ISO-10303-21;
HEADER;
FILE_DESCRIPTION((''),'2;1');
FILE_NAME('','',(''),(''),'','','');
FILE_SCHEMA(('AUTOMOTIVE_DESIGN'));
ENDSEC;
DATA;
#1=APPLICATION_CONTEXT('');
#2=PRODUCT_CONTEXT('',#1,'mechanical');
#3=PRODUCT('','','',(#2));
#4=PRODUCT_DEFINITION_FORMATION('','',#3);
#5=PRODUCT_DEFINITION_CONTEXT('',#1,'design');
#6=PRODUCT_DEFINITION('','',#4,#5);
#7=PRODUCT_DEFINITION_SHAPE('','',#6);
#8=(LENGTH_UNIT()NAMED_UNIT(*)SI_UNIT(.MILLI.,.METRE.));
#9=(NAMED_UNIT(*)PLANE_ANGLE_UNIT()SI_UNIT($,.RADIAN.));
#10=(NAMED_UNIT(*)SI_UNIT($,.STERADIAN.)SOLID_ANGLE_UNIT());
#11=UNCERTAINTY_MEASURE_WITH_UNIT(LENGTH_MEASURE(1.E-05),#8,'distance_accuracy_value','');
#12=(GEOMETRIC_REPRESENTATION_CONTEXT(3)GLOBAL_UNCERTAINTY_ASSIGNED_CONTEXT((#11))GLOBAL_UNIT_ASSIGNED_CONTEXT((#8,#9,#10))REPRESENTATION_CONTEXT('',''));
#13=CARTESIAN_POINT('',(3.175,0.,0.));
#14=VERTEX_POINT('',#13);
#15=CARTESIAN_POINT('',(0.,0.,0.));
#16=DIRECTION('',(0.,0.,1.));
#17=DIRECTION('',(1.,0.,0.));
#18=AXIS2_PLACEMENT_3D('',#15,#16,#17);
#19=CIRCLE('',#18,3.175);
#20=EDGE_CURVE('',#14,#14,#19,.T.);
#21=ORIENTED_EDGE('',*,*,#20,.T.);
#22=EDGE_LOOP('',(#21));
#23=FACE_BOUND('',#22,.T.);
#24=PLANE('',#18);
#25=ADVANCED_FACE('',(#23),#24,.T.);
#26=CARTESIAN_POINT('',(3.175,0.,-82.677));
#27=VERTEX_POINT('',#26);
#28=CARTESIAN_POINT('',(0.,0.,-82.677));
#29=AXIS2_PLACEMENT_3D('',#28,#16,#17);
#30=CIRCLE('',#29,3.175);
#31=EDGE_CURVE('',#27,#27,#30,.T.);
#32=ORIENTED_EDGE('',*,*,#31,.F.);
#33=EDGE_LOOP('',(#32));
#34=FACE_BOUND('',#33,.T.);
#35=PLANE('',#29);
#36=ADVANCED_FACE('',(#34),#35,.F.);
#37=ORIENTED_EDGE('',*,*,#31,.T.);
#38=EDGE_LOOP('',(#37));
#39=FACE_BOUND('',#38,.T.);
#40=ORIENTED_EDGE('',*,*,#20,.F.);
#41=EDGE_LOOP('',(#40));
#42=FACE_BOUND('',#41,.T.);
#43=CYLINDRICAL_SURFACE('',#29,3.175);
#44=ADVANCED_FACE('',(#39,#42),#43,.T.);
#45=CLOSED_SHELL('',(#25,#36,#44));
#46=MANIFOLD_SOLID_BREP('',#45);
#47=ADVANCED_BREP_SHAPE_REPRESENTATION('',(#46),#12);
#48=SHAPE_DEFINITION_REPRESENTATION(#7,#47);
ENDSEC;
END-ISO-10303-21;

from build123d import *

# Parameters (mm, degrees)
SKETCH1_R           = 3.175
BOSS_EXTRUDE1_DEPTH = 82.677


with BuildPart() as part:
    # Sketch1 → Boss-Extrude1 (new body)
    with BuildSketch(Plane.XY):
        Circle(SKETCH1_R)
    extrude(amount=-BOSS_EXTRUDE1_DEPTH)


solid = part.part
